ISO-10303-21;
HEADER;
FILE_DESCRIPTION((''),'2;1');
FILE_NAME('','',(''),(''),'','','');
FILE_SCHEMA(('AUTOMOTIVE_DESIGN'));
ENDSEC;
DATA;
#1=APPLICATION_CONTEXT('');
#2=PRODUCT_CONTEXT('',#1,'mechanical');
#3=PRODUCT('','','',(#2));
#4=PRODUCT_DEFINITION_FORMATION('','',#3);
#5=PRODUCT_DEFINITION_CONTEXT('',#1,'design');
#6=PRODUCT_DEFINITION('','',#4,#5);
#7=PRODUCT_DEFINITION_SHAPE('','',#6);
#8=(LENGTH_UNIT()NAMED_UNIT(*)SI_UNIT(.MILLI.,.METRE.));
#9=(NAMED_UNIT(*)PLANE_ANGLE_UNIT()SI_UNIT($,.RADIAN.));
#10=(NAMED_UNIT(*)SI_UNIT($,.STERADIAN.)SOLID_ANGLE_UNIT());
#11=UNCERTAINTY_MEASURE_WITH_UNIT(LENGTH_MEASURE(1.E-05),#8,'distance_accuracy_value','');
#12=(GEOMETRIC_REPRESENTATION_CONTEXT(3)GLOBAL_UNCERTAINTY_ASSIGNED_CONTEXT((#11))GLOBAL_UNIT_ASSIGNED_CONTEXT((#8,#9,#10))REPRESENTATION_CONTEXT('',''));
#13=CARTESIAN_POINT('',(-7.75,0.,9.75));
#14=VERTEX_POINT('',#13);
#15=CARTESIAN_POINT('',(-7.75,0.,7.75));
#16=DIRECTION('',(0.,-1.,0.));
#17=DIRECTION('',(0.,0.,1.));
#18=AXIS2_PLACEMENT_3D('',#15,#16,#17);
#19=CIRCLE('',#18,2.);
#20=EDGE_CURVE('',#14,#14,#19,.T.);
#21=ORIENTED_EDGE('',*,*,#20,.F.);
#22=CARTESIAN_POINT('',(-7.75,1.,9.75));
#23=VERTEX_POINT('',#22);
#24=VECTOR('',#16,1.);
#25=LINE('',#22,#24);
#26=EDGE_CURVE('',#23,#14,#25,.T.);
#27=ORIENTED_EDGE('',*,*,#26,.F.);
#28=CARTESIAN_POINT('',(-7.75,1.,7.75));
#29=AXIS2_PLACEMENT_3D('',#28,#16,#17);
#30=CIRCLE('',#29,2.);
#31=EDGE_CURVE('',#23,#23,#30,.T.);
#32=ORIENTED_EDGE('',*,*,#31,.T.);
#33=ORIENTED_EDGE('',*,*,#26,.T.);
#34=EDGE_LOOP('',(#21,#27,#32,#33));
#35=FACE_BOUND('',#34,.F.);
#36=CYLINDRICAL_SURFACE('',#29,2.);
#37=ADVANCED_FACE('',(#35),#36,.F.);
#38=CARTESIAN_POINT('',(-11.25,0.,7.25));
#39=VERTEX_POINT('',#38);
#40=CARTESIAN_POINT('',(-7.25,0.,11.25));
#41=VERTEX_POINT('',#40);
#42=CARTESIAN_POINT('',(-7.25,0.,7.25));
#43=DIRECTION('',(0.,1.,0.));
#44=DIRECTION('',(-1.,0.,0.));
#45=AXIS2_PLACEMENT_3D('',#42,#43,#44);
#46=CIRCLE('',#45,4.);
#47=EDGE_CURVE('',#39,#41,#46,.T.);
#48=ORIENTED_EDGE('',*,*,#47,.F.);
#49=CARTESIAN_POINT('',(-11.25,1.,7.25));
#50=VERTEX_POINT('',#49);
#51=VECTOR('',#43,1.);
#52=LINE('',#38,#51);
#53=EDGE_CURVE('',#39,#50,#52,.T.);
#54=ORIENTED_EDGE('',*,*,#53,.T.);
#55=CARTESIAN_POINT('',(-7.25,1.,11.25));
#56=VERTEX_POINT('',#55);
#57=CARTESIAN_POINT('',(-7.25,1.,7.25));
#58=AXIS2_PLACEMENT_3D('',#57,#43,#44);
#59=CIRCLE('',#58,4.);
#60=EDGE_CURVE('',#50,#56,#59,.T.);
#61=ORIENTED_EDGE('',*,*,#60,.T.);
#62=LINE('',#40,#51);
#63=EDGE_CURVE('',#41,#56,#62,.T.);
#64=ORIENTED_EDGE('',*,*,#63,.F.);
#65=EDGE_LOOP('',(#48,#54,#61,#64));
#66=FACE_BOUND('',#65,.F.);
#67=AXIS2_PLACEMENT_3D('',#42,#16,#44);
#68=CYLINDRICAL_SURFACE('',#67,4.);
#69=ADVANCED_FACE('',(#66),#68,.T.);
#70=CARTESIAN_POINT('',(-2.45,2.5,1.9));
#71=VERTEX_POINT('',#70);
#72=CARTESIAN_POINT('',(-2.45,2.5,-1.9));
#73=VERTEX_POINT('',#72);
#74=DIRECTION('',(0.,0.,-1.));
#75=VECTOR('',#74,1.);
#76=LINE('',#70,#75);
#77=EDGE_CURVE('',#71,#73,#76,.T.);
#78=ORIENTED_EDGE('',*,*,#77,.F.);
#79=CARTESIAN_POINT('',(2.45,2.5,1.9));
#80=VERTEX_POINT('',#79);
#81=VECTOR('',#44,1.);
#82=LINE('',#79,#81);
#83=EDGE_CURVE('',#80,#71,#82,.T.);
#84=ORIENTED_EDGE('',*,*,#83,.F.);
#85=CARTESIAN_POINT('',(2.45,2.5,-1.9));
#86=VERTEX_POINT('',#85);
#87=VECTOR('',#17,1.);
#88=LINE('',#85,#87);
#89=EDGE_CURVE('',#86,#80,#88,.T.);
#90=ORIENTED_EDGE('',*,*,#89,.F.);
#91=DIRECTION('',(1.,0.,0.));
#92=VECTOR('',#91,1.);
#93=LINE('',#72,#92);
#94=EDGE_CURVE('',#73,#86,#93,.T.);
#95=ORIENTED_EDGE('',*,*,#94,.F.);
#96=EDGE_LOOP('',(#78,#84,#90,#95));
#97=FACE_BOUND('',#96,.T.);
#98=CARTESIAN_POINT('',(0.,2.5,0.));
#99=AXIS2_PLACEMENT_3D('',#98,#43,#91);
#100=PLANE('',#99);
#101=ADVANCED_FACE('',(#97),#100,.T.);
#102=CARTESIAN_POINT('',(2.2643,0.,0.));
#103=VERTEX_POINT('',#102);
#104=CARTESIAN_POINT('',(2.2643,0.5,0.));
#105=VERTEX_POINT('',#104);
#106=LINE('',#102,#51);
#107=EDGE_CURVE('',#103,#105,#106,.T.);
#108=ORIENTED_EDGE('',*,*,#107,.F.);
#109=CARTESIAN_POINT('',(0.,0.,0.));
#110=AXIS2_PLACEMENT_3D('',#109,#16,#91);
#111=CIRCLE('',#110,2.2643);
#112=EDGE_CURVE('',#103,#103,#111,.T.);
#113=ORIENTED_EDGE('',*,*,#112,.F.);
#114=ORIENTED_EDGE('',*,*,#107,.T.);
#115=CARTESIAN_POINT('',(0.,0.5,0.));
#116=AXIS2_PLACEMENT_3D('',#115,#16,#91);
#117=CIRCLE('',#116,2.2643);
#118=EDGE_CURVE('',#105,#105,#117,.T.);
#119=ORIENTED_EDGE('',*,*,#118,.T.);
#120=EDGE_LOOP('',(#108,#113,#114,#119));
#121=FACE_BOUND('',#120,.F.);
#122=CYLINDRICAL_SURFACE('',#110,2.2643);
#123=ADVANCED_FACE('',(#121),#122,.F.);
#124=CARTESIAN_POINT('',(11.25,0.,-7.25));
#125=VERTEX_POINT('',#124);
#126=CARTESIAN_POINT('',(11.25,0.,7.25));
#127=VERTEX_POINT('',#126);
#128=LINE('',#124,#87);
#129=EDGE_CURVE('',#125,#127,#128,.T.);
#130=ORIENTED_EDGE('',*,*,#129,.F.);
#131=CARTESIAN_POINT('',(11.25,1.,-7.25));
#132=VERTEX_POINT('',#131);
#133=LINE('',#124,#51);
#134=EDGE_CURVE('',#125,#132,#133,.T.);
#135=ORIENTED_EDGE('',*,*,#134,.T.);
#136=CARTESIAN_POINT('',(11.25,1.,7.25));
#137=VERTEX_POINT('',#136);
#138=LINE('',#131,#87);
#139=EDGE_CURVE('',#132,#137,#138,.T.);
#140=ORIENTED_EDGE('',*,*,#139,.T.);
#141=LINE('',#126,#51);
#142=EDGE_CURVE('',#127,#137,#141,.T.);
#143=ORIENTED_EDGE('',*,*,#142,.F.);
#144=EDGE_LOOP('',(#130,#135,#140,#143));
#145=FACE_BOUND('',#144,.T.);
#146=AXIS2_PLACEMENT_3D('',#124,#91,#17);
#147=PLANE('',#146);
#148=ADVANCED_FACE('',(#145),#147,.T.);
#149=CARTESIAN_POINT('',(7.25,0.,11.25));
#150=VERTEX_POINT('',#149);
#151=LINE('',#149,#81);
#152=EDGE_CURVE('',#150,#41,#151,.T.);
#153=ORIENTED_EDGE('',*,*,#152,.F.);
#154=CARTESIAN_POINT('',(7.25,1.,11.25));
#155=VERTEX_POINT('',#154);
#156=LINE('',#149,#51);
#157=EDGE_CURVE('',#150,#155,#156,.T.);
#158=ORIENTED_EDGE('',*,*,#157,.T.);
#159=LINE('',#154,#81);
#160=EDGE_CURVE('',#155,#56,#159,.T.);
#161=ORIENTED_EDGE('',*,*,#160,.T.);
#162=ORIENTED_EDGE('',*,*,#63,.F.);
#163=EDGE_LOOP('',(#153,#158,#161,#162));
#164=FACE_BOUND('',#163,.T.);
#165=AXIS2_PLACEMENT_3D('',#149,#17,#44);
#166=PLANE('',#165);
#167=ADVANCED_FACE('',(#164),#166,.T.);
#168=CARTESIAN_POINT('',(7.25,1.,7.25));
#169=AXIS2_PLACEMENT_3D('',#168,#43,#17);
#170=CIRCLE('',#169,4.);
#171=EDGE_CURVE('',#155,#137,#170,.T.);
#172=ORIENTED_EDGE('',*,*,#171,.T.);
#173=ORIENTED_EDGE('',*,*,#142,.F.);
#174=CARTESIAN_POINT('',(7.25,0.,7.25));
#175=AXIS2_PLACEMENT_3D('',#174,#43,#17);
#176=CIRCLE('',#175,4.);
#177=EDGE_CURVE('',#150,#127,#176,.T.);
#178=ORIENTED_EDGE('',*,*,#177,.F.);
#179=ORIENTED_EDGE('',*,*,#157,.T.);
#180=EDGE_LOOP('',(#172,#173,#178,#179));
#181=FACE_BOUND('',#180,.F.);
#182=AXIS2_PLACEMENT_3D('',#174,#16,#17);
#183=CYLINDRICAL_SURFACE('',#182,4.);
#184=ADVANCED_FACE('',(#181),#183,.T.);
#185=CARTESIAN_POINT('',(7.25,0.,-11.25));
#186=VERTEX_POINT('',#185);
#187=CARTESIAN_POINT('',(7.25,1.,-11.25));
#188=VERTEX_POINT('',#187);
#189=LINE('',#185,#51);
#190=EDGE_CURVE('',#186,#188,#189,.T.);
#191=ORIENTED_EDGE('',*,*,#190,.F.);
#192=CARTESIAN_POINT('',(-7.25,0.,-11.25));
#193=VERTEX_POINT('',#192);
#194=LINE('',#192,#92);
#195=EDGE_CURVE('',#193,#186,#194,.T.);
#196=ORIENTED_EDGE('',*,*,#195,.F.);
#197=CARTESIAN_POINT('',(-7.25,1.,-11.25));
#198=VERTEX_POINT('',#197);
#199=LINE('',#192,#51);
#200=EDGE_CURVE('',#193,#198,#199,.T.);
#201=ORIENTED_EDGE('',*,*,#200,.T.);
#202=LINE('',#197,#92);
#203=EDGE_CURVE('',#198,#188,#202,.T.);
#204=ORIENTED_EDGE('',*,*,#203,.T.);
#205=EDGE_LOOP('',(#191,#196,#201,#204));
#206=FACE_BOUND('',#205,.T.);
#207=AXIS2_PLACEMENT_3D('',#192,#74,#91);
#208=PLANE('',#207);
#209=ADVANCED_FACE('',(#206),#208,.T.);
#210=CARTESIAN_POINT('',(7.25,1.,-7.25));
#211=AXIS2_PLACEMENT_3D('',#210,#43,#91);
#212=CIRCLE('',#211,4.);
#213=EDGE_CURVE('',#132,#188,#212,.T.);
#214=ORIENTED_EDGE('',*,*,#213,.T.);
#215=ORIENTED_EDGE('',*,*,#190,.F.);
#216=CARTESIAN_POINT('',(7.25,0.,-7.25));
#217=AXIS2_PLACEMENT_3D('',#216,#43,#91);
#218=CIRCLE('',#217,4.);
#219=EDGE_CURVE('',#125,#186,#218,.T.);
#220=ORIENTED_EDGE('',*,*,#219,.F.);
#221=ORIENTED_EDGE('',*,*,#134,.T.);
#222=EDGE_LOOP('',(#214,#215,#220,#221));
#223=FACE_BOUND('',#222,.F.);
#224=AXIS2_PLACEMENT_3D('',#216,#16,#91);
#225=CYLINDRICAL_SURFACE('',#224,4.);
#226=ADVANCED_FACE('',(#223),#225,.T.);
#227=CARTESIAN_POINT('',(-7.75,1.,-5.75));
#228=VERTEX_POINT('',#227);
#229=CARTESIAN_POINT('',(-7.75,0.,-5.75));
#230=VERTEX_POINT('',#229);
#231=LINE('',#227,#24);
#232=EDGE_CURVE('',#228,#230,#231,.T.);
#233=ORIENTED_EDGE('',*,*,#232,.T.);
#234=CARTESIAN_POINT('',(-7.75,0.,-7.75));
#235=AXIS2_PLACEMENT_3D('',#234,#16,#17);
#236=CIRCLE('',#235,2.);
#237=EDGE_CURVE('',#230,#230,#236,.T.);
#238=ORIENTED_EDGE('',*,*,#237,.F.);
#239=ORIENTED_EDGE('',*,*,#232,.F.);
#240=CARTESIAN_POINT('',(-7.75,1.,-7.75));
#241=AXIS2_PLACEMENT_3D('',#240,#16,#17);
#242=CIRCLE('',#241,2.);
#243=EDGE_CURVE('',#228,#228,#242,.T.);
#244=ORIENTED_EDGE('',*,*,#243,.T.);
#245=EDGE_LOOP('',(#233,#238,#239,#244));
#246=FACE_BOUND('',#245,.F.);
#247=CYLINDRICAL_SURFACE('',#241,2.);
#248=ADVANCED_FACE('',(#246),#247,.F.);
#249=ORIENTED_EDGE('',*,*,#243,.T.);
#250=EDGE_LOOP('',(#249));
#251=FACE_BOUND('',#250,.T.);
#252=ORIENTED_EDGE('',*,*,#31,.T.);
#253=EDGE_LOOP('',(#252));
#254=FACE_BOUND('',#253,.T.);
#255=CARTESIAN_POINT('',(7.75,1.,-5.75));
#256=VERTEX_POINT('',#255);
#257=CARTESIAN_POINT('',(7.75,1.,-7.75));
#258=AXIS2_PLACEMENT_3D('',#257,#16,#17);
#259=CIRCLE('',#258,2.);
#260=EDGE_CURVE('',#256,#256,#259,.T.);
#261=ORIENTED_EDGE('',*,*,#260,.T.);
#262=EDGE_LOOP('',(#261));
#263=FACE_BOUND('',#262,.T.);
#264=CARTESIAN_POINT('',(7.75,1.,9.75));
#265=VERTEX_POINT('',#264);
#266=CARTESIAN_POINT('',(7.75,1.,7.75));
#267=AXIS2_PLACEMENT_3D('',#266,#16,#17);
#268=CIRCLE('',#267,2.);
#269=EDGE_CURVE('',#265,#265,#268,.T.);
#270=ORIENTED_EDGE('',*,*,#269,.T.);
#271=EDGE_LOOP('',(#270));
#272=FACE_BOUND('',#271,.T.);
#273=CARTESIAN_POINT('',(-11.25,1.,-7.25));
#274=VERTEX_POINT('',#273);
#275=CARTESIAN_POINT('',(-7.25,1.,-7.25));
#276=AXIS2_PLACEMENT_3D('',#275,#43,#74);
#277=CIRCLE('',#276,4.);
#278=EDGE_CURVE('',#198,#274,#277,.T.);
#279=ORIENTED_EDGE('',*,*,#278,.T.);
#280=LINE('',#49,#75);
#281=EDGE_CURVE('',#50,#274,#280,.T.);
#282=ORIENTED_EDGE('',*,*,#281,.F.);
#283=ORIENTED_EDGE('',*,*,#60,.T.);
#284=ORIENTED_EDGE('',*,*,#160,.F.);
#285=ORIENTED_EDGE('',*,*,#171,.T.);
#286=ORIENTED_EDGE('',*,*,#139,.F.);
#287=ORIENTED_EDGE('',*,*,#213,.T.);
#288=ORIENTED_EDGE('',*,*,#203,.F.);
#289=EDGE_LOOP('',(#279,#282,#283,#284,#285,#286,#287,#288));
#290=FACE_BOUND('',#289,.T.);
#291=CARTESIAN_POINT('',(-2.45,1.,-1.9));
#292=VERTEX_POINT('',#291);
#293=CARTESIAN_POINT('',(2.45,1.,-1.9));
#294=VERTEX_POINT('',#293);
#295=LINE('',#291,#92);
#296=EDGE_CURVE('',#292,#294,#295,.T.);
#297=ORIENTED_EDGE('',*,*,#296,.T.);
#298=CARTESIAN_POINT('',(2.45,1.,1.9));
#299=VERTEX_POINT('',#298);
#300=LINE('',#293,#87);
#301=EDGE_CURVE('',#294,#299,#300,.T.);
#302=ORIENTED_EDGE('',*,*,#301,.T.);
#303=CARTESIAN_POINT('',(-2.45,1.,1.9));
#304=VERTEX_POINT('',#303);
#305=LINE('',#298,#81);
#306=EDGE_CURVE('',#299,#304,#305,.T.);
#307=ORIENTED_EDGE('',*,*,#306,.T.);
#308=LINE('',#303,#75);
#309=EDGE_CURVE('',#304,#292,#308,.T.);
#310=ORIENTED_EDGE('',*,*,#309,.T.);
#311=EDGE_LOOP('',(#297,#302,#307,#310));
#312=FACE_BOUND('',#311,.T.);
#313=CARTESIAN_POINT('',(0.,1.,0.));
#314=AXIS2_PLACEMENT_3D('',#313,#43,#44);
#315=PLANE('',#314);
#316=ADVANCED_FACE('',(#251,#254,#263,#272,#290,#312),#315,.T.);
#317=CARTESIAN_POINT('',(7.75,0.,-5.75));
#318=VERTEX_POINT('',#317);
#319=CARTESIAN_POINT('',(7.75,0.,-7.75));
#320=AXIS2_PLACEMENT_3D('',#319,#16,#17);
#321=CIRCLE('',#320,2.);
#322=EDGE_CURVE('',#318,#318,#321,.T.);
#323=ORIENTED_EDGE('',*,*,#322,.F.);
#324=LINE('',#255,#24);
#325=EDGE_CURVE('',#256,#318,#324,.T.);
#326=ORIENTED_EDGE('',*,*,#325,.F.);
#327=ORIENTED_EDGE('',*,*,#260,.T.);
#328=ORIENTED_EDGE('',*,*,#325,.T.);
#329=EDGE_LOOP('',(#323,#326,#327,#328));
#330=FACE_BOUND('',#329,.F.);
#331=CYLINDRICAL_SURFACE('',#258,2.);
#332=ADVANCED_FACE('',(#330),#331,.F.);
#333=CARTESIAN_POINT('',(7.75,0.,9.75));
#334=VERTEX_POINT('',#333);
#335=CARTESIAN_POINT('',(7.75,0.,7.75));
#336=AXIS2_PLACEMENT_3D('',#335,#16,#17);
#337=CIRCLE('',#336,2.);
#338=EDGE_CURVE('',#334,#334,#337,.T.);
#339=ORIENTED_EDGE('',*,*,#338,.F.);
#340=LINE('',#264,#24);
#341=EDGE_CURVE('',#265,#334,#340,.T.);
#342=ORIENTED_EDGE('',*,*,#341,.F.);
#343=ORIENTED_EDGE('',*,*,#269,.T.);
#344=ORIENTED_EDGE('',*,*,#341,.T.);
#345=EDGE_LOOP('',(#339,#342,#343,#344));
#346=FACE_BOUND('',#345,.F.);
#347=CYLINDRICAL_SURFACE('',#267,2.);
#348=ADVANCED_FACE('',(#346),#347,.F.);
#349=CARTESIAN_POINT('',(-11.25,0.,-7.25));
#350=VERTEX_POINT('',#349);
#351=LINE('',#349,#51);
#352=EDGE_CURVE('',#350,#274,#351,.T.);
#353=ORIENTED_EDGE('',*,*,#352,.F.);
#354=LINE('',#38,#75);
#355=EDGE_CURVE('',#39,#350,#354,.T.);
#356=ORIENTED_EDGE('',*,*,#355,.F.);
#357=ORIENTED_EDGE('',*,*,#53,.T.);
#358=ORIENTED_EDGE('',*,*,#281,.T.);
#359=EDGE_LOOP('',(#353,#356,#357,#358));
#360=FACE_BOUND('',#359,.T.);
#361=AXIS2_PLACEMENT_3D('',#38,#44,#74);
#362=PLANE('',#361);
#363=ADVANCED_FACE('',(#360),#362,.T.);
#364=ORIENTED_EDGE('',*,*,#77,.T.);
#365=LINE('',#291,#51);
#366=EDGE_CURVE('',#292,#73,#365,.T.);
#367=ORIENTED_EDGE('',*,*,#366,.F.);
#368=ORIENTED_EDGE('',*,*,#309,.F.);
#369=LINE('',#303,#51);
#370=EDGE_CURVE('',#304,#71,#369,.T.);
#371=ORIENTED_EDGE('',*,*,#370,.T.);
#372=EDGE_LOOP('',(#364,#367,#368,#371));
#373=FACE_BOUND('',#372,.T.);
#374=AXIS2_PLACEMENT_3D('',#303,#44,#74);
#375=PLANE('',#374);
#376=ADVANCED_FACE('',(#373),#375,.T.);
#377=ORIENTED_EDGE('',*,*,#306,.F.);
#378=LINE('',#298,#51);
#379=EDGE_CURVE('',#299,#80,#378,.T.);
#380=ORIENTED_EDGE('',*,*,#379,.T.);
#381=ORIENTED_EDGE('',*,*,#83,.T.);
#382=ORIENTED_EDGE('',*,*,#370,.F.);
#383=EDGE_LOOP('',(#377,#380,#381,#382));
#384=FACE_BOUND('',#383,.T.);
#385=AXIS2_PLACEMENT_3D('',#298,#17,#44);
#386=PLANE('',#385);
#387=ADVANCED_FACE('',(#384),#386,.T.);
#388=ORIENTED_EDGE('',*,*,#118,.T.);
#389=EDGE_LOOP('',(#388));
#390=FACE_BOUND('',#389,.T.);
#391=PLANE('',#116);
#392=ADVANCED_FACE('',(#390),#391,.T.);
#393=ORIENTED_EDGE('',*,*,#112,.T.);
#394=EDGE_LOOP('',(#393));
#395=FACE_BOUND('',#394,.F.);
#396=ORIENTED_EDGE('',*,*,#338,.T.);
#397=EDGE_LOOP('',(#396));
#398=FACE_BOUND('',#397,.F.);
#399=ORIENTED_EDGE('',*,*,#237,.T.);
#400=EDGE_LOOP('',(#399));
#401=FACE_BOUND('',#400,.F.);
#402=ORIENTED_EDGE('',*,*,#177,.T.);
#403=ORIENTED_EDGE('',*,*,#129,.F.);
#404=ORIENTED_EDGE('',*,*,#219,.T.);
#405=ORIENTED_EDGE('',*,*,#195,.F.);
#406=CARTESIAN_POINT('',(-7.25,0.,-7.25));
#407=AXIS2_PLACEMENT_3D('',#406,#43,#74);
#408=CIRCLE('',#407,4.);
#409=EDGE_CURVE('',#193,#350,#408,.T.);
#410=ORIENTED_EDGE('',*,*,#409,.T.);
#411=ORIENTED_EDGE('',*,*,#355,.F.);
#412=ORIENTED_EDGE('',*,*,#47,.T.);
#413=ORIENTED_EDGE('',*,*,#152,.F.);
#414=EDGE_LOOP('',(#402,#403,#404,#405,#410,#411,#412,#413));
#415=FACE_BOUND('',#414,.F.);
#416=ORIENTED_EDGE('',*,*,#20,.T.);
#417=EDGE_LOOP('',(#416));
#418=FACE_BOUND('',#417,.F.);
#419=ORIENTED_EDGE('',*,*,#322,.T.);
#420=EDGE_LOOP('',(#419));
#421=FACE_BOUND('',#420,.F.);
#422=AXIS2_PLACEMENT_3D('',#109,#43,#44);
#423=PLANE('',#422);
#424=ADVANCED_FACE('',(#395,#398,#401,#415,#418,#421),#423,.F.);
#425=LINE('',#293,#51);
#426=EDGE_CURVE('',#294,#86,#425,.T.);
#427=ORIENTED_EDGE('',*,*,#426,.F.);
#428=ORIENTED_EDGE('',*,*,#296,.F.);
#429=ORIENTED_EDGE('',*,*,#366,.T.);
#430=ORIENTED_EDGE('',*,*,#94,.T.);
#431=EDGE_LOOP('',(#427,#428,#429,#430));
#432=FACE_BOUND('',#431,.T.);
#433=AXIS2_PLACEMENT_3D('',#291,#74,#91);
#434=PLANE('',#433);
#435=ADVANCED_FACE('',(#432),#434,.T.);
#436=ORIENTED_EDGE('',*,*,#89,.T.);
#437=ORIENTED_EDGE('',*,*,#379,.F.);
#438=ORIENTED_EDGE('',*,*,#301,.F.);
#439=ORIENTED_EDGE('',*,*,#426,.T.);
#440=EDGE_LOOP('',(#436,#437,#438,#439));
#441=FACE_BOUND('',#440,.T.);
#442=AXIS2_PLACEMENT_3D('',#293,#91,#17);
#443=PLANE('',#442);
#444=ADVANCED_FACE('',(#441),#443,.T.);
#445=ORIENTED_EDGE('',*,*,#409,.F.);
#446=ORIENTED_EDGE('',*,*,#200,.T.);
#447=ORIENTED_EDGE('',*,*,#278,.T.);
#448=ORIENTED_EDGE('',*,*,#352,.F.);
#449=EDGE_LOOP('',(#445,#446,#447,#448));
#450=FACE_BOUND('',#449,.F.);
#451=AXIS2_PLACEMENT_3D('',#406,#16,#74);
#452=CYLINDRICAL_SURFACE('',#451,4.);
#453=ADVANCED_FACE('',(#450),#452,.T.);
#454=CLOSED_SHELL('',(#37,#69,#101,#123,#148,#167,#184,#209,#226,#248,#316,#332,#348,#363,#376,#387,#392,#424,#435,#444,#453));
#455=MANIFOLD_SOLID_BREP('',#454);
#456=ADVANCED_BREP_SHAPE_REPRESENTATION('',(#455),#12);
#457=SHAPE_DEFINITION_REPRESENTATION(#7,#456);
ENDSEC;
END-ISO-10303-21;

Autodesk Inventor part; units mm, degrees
ref_plane "YZ Plane" through (0, 0, 0) normal (1, 0, 0) x (0, 1, 0)
ref_plane "XZ Plane" through (0, 0, 0) normal (0, 1, 0) x (-1, 0, 0)
ref_plane "XY Plane" through (0, 0, 0) normal (0, 0, 1) x (1, 0, 0)
sketch "Skizze1" plane through (0, 0, 0) normal (0, 1, 0) x (-1, 0, 0)
  line L0 (7.25, -11.25) -> (-7.25, -11.25)
  line L1 (-11.25, -7.25) -> (-11.25, 7.25)
  line L2 (-7.25, 11.25) -> (7.25, 11.25)
  line L3 (11.25, 7.25) -> (11.25, -7.25)
  line L4 (11.25, -11.25) -> (-11.25, 11.25) construction
  line L5 (-11.25, -11.25) -> (11.25, 11.25) construction
  arc A0 (-7.25, 11.25) -> (-11.25, 7.25) centre (-7.25, 7.25) ccw
  arc A1 (11.25, 7.25) -> (7.25, 11.25) centre (7.25, 7.25) ccw
  arc A2 (7.25, -11.25) -> (11.25, -7.25) centre (7.25, -7.25) ccw
  arc A3 (-11.25, -7.25) -> (-7.25, -11.25) centre (-7.25, -7.25) ccw
  point P0 (0, 0)
  dimension "d0" = 22.5
  dimension "d1" = 22.5
  dimension "d2" = 4
extrude "Extrusion1" add sketch "Skizze1" along normal blind 1
sketch "Skizze2" plane through (0, 1, 0) normal (0, 1, 0) x (1, 0, 0)
  line L0 (-7.25, -11.25) -> (7.25, -11.25) projected
  arc A0 (7.25, -11.25) -> (11.25, -7.25) centre (7.25, -7.25) ccw projected
  line L1 (11.25, -7.25) -> (11.25, 7.25) projected
  arc A1 (11.25, 7.25) -> (7.25, 11.25) centre (7.25, 7.25) ccw projected
  line L2 (7.25, 11.25) -> (-7.25, 11.25) projected
  arc A2 (-7.25, 11.25) -> (-11.25, 7.25) centre (-7.25, 7.25) ccw projected
  line L3 (-11.25, 7.25) -> (-11.25, -7.25) projected
  arc A3 (-11.25, -7.25) -> (-7.25, -11.25) centre (-7.25, -7.25) ccw projected
  line L4 (2.45, -1.9) -> (-2.45, -1.9)
  line L5 (-2.45, -1.9) -> (-2.45, 1.9)
  line L6 (-2.45, 1.9) -> (2.45, 1.9)
  line L7 (2.45, 1.9) -> (2.45, -1.9)
  line L8 (2.45, -1.9) -> (-2.45, 1.9) construction
  line L9 (-2.45, -1.9) -> (2.45, 1.9) construction
  point P0 (0, 0)
  dimension "d5" = 4.9
  dimension "d6" = 3.8
extrude "Extrusion2" add sketch "Skizze2" along normal blind 1.5 contours L4 L5 L6 L7
sketch "Skizze3" plane through (0, 1, 0) normal (0, 1, 0) x (1, 0, 0)
  line L0 (2.45, 1.9) -> (2.45, -1.9) projected
  line L1 (2.45, -1.9) -> (-2.45, -1.9) projected
  line L2 (-2.45, -1.9) -> (-2.45, 1.9) projected
  line L3 (-2.45, 1.9) -> (2.45, 1.9) projected
  line L4 (-7.25, -11.25) -> (7.25, -11.25) projected
  arc A0 (7.25, -11.25) -> (11.25, -7.25) centre (7.25, -7.25) ccw projected
  line L5 (11.25, -7.25) -> (11.25, 7.25) projected
  arc A1 (11.25, 7.25) -> (7.25, 11.25) centre (7.25, 7.25) ccw projected
  line L6 (7.25, 11.25) -> (-7.25, 11.25) projected
  arc A2 (-7.25, 11.25) -> (-11.25, 7.25) centre (-7.25, 7.25) ccw projected
  line L7 (-11.25, 7.25) -> (-11.25, -7.25) projected
  arc A3 (-11.25, -7.25) -> (-7.25, -11.25) centre (-7.25, -7.25) ccw projected
  line L8 (-7.75, 7.75) -> (7.75, 7.75) construction
  line L9 (7.75, 7.75) -> (7.75, -7.75) construction
  line L10 (7.75, -7.75) -> (-7.75, -7.75) construction
  line L11 (-7.75, -7.75) -> (-7.75, 7.75) construction
  line L12 (-7.75, 7.75) -> (7.75, -7.75) construction
  line L13 (7.75, 7.75) -> (-7.75, -7.75) construction
  point P0 (0, 0)
  dimension "d9" = 15.5
  dimension "d10" = 15.5
hole "Bohrung1" at (7.75, 1, 7.75) at (-7.75, 1, 7.75) at (-7.75, 1, -7.75) at (7.75, 1, -7.75) direction (0, -1, 0) diameter 4 depth 3 tip angle 118
sketch "Skizze4" plane through (0, 0, 0) normal (0, -1, 0) x (1, 0, 0)
  circle A0 centre (0, 0) radius 2.2643
extrude "Extrusion3" cut sketch "Skizze4" against normal blind 0.5
properties part number "00_AS5600_rotational_encoder_i2c"
